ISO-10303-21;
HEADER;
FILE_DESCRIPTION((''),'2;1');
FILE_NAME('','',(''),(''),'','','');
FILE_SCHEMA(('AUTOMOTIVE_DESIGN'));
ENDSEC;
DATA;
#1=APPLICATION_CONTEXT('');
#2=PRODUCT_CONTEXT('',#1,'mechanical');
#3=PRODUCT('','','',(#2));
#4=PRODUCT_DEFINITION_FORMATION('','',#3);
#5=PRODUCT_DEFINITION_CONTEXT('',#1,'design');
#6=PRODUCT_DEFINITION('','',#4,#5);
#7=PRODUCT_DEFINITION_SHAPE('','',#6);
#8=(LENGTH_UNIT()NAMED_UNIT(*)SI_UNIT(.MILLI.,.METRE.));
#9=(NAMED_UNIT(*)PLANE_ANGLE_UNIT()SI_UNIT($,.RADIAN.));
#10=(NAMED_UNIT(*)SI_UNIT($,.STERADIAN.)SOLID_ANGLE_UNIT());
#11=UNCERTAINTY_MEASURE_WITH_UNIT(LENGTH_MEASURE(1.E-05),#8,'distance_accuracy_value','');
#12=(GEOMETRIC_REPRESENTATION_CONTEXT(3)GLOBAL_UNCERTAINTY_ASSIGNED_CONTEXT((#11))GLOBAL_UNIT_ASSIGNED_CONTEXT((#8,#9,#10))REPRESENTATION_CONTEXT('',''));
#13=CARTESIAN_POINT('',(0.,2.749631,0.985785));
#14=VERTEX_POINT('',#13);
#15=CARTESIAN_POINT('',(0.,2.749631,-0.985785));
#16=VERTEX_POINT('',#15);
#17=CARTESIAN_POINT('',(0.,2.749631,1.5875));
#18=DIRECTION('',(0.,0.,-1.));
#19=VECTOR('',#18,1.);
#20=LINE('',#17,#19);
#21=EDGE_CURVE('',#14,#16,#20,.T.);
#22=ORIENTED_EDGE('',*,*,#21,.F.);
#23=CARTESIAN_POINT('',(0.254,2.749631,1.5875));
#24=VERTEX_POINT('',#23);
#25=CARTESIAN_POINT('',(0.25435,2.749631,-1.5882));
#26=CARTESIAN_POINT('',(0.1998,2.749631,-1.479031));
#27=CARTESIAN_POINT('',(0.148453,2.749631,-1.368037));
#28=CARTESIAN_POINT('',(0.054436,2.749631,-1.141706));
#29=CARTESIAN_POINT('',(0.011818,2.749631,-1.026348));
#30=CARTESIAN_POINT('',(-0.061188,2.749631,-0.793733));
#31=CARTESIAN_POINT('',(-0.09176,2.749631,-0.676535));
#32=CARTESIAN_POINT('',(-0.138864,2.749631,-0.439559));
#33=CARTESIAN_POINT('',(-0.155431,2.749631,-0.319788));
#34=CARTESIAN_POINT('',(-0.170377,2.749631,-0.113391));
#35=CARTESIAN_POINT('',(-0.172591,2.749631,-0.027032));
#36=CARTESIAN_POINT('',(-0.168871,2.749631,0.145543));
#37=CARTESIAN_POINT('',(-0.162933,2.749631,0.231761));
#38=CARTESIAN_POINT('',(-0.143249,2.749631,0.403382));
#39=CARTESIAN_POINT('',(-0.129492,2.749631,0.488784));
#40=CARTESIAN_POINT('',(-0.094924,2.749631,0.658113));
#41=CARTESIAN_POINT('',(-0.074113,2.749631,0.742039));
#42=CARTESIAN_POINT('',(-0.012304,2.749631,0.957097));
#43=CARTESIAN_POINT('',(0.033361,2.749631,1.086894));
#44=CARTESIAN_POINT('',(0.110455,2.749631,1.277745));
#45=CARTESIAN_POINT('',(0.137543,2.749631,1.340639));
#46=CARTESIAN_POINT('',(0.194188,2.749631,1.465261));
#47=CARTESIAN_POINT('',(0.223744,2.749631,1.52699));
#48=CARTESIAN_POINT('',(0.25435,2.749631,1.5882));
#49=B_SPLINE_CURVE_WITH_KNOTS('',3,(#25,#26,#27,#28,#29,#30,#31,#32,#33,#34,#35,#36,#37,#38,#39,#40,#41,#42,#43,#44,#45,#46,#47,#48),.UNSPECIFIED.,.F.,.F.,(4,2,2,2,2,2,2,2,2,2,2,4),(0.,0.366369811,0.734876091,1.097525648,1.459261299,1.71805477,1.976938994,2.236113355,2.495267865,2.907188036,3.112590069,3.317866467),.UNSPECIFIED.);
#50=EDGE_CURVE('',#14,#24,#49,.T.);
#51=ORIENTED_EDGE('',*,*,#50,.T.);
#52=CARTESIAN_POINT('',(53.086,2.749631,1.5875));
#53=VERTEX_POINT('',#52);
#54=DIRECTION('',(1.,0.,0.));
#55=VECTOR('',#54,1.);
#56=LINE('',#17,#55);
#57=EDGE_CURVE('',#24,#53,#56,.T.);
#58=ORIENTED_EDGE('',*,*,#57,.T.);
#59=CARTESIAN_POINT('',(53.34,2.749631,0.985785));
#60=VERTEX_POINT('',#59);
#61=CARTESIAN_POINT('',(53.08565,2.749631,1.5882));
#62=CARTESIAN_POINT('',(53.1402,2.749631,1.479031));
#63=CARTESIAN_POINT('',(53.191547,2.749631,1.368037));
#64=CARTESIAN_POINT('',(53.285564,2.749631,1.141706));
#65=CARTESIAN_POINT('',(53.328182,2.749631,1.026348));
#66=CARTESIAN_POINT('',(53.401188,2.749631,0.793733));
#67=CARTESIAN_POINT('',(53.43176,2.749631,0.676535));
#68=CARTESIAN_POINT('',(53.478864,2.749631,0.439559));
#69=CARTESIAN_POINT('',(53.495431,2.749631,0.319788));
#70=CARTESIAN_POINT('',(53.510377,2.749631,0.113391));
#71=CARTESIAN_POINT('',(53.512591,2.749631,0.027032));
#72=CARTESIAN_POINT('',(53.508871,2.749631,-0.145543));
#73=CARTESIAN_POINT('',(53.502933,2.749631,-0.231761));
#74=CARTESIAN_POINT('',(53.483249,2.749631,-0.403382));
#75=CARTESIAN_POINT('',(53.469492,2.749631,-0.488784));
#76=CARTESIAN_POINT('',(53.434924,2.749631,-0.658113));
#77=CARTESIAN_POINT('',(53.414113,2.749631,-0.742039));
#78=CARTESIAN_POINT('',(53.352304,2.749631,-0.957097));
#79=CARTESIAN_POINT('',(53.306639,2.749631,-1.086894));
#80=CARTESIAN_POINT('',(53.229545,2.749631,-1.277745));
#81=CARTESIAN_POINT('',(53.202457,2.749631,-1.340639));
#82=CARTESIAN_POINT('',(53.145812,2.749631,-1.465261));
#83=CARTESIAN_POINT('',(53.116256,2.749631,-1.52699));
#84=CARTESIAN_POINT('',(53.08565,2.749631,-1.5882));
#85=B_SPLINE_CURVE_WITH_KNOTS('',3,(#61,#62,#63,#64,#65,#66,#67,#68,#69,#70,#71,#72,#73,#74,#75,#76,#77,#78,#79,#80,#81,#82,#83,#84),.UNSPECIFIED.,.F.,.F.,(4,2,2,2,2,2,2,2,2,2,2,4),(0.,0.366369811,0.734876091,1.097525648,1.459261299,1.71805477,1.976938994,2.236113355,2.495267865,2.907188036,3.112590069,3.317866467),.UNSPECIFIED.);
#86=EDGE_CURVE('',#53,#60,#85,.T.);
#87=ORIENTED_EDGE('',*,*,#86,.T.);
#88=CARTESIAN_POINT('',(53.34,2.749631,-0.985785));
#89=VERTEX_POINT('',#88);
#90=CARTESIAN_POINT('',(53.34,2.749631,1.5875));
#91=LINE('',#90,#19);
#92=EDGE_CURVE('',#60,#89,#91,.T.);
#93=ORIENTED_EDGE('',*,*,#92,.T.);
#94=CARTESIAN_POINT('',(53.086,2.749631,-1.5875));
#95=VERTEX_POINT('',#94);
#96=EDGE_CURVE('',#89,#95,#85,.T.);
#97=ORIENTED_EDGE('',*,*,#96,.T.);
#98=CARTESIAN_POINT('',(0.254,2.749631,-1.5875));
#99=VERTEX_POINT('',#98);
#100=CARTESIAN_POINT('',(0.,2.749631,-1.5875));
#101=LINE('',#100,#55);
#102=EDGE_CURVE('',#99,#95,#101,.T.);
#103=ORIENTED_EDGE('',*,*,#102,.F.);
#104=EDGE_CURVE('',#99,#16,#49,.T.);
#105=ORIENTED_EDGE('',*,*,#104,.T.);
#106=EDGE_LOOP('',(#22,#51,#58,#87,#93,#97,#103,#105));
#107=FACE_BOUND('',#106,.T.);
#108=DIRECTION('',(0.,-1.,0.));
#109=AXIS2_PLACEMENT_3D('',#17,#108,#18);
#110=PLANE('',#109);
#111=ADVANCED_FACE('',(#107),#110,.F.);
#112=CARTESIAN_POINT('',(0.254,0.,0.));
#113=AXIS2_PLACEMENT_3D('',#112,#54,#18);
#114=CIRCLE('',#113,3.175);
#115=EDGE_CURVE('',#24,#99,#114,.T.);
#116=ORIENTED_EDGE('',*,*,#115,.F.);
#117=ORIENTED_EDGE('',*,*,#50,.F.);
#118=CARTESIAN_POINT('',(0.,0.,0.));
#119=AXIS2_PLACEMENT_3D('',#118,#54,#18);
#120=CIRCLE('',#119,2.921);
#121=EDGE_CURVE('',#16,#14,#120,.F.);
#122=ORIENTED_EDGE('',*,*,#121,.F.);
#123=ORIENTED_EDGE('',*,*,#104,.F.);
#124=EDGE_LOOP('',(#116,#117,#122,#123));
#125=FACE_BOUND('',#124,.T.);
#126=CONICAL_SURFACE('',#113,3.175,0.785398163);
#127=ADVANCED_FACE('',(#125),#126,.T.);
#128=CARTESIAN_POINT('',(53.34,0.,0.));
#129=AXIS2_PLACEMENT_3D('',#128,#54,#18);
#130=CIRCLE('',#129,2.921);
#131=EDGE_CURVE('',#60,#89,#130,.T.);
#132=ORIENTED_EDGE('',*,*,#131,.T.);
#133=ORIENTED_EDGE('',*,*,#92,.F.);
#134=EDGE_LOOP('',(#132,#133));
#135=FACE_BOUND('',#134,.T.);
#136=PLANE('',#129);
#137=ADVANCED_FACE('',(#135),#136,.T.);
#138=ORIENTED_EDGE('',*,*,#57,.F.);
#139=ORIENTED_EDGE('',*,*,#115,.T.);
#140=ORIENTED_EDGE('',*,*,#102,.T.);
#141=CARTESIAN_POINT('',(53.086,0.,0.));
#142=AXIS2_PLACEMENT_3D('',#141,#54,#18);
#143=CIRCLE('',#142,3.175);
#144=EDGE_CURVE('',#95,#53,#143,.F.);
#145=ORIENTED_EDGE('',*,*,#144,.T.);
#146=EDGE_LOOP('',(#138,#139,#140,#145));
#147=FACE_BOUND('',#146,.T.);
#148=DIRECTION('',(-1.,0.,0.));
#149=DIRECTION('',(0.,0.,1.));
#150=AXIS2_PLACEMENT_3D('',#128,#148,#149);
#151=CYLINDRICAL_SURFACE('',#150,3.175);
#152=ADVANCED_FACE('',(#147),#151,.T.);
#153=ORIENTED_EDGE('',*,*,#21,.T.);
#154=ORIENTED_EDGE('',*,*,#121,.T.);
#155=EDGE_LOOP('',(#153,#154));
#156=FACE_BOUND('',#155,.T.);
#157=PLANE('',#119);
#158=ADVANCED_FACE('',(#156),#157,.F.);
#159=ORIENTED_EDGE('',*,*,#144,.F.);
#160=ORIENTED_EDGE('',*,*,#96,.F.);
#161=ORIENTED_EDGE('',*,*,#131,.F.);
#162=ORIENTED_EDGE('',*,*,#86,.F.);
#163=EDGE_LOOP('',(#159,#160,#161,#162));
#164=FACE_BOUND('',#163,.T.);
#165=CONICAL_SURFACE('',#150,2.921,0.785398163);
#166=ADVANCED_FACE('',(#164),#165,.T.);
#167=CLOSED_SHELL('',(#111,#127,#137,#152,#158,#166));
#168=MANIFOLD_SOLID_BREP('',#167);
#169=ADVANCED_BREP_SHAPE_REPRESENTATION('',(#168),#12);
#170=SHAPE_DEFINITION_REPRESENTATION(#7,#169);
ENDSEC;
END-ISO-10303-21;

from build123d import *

# Parameters (mm, degrees)
SKETCH1_R           = 3.175
BOSS_EXTRUDE1_DEPTH = 53.34
CHAMFER1_SIZE       = 0.254
CUT_EXTRUDE2_DEPTH  = 54.528654476


with BuildPart() as part:
    # Sketch1 → Boss-Extrude1 (new body)
    with BuildSketch(Plane(origin=(0, 0, 0), x_dir=(0, 0, -1), z_dir=(1, 0, 0))):
        Circle(SKETCH1_R)
    extrude(amount=BOSS_EXTRUDE1_DEPTH)

    # Chamfer1
    chamfer1_edges = [part.edges().sort_by_distance(p)[0] for p in [
        (0, 0, 3.175),
        (53.34, 0, 3.175),
    ]]
    chamfer(chamfer1_edges, length=CHAMFER1_SIZE)

    # Sketch2 → Cut-Extrude2 (cut, through all)
    with BuildSketch(Plane(origin=(53.34, 0, 0), x_dir=(0, 0, -1), z_dir=(1, 0, 0))):
        with BuildLine():
            Line((-1.5875, 2.749630657), (1.5875, 2.749630657))
            ThreePointArc((1.5875, 2.749630657), (0, 3.175), (-1.5875, 2.749630657))
        make_face()
    extrude(amount=-CUT_EXTRUDE2_DEPTH, mode=Mode.SUBTRACT)


solid = part.part
